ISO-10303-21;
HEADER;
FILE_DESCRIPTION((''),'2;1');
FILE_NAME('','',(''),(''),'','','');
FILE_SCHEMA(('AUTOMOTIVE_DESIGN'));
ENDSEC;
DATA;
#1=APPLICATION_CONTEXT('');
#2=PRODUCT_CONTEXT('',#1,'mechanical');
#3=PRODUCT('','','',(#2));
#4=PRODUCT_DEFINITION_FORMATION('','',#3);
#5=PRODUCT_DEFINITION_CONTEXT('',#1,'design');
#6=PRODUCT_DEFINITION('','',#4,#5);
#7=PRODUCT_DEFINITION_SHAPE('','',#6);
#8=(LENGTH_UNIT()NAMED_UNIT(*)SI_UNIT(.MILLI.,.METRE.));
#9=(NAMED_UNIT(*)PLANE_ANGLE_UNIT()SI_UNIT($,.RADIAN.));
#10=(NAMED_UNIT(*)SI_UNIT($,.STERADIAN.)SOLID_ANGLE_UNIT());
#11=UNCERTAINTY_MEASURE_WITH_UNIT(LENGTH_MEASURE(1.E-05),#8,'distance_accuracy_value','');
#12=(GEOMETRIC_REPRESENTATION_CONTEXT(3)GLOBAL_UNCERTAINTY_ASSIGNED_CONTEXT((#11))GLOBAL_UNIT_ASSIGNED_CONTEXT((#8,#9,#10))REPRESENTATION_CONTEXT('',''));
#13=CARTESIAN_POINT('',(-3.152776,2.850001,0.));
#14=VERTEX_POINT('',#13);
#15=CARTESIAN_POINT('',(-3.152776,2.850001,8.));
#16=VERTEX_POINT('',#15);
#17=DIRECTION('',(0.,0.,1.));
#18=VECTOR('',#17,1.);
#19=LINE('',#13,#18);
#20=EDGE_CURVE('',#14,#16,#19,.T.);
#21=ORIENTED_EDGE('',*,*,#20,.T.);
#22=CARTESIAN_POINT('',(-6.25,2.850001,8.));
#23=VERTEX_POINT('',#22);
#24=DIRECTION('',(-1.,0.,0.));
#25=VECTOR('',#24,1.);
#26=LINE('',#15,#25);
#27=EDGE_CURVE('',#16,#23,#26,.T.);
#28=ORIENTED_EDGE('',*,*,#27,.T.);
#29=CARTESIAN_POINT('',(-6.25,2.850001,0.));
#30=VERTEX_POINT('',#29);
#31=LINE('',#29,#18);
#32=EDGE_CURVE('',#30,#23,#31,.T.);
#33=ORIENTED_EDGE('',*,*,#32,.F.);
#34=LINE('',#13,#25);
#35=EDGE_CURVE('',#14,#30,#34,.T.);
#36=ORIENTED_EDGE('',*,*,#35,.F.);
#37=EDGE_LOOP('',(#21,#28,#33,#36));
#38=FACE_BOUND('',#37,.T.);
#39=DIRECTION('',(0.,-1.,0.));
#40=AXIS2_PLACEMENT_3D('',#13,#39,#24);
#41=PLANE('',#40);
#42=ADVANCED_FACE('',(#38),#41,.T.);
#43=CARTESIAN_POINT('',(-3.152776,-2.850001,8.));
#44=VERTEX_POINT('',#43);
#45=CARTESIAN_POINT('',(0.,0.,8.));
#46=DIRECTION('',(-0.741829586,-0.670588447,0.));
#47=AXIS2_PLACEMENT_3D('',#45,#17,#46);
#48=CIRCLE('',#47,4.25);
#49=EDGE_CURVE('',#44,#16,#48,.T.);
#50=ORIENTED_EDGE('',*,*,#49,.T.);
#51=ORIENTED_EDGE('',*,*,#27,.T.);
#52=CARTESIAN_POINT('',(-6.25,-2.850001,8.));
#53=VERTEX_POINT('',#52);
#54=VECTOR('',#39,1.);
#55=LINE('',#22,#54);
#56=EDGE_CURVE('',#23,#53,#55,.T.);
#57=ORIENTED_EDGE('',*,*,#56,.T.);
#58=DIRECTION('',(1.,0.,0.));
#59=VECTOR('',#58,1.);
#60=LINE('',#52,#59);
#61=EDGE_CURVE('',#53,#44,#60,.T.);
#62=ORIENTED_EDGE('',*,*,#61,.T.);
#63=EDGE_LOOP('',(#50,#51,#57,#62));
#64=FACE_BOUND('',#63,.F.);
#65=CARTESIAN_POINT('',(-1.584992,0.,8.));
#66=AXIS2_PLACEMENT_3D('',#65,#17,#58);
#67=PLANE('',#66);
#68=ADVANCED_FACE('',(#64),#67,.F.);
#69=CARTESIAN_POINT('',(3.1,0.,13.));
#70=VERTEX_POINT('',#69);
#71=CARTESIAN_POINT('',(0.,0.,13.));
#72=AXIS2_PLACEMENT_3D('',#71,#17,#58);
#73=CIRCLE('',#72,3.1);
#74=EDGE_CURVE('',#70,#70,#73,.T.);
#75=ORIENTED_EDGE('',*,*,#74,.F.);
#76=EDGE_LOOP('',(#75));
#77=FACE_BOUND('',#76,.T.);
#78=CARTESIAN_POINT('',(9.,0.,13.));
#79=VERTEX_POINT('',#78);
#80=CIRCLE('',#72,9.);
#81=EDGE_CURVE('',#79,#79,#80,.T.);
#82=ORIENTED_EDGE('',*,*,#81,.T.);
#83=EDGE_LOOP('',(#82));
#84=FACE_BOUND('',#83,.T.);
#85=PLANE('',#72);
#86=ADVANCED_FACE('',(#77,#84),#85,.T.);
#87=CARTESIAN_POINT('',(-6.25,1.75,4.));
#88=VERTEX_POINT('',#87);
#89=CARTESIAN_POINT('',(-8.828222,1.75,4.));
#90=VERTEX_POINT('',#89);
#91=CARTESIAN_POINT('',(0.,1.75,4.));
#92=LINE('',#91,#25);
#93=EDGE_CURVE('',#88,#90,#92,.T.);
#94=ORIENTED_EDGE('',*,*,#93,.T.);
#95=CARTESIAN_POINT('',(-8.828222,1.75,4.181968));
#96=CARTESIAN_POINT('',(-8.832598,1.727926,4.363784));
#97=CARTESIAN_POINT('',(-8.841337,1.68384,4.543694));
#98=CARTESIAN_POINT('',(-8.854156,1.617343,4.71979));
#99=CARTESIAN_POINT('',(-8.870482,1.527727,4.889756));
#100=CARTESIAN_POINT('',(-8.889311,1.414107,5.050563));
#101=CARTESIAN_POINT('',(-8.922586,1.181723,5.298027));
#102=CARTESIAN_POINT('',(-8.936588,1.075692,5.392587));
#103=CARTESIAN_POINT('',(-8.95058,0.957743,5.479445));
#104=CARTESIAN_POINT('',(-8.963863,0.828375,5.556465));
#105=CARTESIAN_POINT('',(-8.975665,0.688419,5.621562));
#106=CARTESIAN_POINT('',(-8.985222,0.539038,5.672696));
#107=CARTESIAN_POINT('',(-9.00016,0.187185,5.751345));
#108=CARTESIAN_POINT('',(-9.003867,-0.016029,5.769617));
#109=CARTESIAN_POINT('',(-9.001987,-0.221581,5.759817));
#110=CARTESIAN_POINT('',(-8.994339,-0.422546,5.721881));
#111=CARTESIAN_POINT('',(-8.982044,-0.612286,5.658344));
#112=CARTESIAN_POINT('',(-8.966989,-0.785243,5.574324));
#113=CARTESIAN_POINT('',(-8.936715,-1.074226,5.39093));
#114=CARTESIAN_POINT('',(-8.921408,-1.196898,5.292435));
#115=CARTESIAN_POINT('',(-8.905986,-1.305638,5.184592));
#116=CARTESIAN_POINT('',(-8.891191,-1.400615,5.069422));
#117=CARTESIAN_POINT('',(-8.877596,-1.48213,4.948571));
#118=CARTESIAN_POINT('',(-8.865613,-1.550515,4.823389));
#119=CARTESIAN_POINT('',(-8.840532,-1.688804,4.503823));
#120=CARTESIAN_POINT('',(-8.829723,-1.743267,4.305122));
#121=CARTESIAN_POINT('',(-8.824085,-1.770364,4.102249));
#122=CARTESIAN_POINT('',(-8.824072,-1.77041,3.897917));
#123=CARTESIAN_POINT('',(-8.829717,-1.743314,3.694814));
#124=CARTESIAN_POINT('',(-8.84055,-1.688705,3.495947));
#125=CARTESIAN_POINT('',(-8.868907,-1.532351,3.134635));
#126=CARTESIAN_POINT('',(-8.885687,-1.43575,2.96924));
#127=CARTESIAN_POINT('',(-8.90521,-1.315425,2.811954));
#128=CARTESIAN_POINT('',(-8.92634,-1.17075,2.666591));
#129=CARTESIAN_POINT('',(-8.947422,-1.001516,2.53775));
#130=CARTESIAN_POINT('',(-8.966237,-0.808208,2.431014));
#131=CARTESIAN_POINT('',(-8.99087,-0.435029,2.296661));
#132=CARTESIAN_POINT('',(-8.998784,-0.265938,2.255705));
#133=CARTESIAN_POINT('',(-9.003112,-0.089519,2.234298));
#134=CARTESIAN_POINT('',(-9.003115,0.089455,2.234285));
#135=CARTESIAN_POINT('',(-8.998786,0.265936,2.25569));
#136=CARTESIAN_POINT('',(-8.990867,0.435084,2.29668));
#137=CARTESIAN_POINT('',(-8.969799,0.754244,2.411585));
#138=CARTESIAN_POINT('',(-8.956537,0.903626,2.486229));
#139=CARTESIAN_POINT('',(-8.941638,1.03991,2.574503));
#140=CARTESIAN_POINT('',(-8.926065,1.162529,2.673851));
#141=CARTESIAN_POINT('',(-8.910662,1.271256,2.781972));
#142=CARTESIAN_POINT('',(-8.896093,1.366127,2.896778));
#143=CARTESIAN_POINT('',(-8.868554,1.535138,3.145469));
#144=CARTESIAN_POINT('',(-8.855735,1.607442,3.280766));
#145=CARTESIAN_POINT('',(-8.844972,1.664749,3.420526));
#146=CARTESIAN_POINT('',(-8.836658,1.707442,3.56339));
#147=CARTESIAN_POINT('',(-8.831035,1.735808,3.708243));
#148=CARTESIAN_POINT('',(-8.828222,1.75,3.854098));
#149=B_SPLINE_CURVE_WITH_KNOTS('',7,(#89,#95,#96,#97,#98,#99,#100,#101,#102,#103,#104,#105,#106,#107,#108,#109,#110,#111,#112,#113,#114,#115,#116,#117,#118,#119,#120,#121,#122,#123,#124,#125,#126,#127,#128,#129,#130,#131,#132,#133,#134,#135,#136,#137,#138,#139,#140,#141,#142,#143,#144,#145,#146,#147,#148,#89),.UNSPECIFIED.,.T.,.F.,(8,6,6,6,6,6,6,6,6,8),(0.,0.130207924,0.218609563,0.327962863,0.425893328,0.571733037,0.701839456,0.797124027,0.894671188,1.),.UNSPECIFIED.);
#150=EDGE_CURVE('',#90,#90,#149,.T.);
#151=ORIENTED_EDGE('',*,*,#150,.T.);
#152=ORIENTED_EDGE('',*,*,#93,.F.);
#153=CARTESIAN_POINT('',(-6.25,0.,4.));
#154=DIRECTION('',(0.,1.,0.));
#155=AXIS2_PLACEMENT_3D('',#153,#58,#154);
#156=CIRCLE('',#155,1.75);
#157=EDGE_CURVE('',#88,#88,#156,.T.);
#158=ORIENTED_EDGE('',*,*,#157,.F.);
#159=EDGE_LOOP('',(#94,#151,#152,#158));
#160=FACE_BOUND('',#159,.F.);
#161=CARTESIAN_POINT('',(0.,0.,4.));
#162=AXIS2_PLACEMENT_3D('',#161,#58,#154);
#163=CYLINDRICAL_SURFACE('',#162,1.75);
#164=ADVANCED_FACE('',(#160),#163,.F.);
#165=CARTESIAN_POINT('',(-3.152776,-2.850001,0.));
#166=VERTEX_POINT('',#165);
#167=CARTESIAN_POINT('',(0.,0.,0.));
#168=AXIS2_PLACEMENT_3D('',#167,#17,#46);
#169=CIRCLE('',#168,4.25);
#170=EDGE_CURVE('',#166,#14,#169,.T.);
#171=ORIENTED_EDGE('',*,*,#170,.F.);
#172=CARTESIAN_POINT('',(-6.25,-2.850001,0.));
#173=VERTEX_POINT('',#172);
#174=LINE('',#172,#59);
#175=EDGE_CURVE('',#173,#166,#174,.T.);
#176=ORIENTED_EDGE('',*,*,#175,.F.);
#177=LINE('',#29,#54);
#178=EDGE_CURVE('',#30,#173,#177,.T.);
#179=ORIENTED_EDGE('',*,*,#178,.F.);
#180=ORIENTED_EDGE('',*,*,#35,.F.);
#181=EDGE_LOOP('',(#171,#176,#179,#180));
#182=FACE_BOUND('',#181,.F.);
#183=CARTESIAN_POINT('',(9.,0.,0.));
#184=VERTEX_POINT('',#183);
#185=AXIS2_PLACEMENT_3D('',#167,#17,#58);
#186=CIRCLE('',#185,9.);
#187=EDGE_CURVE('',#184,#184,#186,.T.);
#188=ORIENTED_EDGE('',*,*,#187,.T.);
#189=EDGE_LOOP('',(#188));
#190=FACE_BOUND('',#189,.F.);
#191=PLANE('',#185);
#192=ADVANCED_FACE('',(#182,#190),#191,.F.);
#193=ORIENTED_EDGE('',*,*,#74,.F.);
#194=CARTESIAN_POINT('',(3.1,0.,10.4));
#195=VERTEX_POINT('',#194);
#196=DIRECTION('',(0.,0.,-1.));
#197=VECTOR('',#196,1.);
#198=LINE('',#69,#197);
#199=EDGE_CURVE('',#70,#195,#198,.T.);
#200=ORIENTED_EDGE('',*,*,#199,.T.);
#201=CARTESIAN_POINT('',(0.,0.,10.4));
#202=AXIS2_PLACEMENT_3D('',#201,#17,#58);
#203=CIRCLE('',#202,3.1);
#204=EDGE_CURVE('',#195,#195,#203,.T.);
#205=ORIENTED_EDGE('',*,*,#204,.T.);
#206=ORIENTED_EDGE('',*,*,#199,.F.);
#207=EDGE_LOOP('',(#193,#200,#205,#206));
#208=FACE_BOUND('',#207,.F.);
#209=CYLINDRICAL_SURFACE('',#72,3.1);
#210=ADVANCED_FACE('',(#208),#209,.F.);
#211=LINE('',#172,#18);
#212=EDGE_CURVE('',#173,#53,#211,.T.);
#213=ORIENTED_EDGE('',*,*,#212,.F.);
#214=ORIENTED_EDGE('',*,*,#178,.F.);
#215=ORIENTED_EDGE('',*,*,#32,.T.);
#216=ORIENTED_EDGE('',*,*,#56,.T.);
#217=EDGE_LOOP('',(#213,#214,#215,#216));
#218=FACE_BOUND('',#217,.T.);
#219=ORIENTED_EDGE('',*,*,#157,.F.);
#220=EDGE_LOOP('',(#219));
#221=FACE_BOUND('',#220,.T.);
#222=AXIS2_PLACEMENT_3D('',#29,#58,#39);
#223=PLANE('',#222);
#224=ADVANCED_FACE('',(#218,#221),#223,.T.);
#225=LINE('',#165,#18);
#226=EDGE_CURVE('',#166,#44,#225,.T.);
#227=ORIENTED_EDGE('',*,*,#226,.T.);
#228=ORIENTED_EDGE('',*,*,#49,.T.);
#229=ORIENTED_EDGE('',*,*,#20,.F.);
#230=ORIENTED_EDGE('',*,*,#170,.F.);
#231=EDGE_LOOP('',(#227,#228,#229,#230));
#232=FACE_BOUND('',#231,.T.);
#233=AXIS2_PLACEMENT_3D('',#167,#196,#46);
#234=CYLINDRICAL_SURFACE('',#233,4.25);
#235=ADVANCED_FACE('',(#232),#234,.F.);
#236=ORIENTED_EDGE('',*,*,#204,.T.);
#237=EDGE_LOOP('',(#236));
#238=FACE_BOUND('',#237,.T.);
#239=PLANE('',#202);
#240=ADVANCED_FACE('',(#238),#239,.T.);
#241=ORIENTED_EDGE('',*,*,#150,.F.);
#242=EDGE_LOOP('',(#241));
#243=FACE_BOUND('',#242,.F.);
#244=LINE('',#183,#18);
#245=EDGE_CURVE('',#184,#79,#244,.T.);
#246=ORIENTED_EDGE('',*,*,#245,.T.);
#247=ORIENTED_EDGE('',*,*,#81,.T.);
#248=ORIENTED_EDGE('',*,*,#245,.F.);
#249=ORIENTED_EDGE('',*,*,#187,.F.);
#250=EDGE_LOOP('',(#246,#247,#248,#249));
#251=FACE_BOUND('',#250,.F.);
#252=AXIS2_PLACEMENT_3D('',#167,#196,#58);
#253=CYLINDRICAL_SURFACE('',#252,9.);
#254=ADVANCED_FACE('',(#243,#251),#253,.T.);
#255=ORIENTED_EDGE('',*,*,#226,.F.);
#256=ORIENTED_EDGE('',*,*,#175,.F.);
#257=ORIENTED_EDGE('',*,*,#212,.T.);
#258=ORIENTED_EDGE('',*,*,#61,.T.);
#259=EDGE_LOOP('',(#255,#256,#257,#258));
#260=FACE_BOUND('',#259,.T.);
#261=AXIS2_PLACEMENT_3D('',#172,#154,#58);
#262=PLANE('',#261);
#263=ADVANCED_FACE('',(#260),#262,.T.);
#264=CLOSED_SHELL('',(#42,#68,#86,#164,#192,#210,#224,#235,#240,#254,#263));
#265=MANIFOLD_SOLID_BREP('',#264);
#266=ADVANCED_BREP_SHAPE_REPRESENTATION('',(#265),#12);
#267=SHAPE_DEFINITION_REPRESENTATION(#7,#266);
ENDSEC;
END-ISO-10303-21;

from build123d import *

# Parameters (mm, degrees)
SKETCH136_R     = 9
PAD081_DEPTH    = 13
POCKET045_DEPTH = 8
SKETCH138_R     = 3.1
POCKET046_DEPTH = 2.6
SKETCH139_R     = 1.75
POCKET047_DEPTH = 9.001


with BuildPart() as part:
    # Sketch136 → Pad081 (new body)
    with BuildSketch(Plane.XY):
        Circle(SKETCH136_R)
    extrude(amount=PAD081_DEPTH)

    # Sketch137 → Pocket045 (cut)
    with BuildSketch(Plane.XY):
        with BuildLine():
            Line((-3.152776, 2.850001), (-6.25, 2.850001))
            Line((-6.25, 2.850001), (-6.25, -2.850001))
            Line((-6.25, -2.850001), (-3.152776, -2.850001))
            ThreePointArc((-3.152776, -2.850001), (4.25, 0), (-3.152776, 2.850001))
        make_face()
    extrude(amount=POCKET045_DEPTH, mode=Mode.SUBTRACT)

    # Sketch138 → Pocket046 (cut)
    with BuildSketch(Plane.XY.offset(13)):
        Circle(SKETCH138_R)
    extrude(amount=-POCKET046_DEPTH, mode=Mode.SUBTRACT)

    # Sketch139 → Pocket047 (cut, through all)
    with BuildSketch(Plane.YZ):
        with Locations((0, 4)):
            Circle(SKETCH139_R)
    extrude(amount=-POCKET047_DEPTH, mode=Mode.SUBTRACT)


solid = part.part
